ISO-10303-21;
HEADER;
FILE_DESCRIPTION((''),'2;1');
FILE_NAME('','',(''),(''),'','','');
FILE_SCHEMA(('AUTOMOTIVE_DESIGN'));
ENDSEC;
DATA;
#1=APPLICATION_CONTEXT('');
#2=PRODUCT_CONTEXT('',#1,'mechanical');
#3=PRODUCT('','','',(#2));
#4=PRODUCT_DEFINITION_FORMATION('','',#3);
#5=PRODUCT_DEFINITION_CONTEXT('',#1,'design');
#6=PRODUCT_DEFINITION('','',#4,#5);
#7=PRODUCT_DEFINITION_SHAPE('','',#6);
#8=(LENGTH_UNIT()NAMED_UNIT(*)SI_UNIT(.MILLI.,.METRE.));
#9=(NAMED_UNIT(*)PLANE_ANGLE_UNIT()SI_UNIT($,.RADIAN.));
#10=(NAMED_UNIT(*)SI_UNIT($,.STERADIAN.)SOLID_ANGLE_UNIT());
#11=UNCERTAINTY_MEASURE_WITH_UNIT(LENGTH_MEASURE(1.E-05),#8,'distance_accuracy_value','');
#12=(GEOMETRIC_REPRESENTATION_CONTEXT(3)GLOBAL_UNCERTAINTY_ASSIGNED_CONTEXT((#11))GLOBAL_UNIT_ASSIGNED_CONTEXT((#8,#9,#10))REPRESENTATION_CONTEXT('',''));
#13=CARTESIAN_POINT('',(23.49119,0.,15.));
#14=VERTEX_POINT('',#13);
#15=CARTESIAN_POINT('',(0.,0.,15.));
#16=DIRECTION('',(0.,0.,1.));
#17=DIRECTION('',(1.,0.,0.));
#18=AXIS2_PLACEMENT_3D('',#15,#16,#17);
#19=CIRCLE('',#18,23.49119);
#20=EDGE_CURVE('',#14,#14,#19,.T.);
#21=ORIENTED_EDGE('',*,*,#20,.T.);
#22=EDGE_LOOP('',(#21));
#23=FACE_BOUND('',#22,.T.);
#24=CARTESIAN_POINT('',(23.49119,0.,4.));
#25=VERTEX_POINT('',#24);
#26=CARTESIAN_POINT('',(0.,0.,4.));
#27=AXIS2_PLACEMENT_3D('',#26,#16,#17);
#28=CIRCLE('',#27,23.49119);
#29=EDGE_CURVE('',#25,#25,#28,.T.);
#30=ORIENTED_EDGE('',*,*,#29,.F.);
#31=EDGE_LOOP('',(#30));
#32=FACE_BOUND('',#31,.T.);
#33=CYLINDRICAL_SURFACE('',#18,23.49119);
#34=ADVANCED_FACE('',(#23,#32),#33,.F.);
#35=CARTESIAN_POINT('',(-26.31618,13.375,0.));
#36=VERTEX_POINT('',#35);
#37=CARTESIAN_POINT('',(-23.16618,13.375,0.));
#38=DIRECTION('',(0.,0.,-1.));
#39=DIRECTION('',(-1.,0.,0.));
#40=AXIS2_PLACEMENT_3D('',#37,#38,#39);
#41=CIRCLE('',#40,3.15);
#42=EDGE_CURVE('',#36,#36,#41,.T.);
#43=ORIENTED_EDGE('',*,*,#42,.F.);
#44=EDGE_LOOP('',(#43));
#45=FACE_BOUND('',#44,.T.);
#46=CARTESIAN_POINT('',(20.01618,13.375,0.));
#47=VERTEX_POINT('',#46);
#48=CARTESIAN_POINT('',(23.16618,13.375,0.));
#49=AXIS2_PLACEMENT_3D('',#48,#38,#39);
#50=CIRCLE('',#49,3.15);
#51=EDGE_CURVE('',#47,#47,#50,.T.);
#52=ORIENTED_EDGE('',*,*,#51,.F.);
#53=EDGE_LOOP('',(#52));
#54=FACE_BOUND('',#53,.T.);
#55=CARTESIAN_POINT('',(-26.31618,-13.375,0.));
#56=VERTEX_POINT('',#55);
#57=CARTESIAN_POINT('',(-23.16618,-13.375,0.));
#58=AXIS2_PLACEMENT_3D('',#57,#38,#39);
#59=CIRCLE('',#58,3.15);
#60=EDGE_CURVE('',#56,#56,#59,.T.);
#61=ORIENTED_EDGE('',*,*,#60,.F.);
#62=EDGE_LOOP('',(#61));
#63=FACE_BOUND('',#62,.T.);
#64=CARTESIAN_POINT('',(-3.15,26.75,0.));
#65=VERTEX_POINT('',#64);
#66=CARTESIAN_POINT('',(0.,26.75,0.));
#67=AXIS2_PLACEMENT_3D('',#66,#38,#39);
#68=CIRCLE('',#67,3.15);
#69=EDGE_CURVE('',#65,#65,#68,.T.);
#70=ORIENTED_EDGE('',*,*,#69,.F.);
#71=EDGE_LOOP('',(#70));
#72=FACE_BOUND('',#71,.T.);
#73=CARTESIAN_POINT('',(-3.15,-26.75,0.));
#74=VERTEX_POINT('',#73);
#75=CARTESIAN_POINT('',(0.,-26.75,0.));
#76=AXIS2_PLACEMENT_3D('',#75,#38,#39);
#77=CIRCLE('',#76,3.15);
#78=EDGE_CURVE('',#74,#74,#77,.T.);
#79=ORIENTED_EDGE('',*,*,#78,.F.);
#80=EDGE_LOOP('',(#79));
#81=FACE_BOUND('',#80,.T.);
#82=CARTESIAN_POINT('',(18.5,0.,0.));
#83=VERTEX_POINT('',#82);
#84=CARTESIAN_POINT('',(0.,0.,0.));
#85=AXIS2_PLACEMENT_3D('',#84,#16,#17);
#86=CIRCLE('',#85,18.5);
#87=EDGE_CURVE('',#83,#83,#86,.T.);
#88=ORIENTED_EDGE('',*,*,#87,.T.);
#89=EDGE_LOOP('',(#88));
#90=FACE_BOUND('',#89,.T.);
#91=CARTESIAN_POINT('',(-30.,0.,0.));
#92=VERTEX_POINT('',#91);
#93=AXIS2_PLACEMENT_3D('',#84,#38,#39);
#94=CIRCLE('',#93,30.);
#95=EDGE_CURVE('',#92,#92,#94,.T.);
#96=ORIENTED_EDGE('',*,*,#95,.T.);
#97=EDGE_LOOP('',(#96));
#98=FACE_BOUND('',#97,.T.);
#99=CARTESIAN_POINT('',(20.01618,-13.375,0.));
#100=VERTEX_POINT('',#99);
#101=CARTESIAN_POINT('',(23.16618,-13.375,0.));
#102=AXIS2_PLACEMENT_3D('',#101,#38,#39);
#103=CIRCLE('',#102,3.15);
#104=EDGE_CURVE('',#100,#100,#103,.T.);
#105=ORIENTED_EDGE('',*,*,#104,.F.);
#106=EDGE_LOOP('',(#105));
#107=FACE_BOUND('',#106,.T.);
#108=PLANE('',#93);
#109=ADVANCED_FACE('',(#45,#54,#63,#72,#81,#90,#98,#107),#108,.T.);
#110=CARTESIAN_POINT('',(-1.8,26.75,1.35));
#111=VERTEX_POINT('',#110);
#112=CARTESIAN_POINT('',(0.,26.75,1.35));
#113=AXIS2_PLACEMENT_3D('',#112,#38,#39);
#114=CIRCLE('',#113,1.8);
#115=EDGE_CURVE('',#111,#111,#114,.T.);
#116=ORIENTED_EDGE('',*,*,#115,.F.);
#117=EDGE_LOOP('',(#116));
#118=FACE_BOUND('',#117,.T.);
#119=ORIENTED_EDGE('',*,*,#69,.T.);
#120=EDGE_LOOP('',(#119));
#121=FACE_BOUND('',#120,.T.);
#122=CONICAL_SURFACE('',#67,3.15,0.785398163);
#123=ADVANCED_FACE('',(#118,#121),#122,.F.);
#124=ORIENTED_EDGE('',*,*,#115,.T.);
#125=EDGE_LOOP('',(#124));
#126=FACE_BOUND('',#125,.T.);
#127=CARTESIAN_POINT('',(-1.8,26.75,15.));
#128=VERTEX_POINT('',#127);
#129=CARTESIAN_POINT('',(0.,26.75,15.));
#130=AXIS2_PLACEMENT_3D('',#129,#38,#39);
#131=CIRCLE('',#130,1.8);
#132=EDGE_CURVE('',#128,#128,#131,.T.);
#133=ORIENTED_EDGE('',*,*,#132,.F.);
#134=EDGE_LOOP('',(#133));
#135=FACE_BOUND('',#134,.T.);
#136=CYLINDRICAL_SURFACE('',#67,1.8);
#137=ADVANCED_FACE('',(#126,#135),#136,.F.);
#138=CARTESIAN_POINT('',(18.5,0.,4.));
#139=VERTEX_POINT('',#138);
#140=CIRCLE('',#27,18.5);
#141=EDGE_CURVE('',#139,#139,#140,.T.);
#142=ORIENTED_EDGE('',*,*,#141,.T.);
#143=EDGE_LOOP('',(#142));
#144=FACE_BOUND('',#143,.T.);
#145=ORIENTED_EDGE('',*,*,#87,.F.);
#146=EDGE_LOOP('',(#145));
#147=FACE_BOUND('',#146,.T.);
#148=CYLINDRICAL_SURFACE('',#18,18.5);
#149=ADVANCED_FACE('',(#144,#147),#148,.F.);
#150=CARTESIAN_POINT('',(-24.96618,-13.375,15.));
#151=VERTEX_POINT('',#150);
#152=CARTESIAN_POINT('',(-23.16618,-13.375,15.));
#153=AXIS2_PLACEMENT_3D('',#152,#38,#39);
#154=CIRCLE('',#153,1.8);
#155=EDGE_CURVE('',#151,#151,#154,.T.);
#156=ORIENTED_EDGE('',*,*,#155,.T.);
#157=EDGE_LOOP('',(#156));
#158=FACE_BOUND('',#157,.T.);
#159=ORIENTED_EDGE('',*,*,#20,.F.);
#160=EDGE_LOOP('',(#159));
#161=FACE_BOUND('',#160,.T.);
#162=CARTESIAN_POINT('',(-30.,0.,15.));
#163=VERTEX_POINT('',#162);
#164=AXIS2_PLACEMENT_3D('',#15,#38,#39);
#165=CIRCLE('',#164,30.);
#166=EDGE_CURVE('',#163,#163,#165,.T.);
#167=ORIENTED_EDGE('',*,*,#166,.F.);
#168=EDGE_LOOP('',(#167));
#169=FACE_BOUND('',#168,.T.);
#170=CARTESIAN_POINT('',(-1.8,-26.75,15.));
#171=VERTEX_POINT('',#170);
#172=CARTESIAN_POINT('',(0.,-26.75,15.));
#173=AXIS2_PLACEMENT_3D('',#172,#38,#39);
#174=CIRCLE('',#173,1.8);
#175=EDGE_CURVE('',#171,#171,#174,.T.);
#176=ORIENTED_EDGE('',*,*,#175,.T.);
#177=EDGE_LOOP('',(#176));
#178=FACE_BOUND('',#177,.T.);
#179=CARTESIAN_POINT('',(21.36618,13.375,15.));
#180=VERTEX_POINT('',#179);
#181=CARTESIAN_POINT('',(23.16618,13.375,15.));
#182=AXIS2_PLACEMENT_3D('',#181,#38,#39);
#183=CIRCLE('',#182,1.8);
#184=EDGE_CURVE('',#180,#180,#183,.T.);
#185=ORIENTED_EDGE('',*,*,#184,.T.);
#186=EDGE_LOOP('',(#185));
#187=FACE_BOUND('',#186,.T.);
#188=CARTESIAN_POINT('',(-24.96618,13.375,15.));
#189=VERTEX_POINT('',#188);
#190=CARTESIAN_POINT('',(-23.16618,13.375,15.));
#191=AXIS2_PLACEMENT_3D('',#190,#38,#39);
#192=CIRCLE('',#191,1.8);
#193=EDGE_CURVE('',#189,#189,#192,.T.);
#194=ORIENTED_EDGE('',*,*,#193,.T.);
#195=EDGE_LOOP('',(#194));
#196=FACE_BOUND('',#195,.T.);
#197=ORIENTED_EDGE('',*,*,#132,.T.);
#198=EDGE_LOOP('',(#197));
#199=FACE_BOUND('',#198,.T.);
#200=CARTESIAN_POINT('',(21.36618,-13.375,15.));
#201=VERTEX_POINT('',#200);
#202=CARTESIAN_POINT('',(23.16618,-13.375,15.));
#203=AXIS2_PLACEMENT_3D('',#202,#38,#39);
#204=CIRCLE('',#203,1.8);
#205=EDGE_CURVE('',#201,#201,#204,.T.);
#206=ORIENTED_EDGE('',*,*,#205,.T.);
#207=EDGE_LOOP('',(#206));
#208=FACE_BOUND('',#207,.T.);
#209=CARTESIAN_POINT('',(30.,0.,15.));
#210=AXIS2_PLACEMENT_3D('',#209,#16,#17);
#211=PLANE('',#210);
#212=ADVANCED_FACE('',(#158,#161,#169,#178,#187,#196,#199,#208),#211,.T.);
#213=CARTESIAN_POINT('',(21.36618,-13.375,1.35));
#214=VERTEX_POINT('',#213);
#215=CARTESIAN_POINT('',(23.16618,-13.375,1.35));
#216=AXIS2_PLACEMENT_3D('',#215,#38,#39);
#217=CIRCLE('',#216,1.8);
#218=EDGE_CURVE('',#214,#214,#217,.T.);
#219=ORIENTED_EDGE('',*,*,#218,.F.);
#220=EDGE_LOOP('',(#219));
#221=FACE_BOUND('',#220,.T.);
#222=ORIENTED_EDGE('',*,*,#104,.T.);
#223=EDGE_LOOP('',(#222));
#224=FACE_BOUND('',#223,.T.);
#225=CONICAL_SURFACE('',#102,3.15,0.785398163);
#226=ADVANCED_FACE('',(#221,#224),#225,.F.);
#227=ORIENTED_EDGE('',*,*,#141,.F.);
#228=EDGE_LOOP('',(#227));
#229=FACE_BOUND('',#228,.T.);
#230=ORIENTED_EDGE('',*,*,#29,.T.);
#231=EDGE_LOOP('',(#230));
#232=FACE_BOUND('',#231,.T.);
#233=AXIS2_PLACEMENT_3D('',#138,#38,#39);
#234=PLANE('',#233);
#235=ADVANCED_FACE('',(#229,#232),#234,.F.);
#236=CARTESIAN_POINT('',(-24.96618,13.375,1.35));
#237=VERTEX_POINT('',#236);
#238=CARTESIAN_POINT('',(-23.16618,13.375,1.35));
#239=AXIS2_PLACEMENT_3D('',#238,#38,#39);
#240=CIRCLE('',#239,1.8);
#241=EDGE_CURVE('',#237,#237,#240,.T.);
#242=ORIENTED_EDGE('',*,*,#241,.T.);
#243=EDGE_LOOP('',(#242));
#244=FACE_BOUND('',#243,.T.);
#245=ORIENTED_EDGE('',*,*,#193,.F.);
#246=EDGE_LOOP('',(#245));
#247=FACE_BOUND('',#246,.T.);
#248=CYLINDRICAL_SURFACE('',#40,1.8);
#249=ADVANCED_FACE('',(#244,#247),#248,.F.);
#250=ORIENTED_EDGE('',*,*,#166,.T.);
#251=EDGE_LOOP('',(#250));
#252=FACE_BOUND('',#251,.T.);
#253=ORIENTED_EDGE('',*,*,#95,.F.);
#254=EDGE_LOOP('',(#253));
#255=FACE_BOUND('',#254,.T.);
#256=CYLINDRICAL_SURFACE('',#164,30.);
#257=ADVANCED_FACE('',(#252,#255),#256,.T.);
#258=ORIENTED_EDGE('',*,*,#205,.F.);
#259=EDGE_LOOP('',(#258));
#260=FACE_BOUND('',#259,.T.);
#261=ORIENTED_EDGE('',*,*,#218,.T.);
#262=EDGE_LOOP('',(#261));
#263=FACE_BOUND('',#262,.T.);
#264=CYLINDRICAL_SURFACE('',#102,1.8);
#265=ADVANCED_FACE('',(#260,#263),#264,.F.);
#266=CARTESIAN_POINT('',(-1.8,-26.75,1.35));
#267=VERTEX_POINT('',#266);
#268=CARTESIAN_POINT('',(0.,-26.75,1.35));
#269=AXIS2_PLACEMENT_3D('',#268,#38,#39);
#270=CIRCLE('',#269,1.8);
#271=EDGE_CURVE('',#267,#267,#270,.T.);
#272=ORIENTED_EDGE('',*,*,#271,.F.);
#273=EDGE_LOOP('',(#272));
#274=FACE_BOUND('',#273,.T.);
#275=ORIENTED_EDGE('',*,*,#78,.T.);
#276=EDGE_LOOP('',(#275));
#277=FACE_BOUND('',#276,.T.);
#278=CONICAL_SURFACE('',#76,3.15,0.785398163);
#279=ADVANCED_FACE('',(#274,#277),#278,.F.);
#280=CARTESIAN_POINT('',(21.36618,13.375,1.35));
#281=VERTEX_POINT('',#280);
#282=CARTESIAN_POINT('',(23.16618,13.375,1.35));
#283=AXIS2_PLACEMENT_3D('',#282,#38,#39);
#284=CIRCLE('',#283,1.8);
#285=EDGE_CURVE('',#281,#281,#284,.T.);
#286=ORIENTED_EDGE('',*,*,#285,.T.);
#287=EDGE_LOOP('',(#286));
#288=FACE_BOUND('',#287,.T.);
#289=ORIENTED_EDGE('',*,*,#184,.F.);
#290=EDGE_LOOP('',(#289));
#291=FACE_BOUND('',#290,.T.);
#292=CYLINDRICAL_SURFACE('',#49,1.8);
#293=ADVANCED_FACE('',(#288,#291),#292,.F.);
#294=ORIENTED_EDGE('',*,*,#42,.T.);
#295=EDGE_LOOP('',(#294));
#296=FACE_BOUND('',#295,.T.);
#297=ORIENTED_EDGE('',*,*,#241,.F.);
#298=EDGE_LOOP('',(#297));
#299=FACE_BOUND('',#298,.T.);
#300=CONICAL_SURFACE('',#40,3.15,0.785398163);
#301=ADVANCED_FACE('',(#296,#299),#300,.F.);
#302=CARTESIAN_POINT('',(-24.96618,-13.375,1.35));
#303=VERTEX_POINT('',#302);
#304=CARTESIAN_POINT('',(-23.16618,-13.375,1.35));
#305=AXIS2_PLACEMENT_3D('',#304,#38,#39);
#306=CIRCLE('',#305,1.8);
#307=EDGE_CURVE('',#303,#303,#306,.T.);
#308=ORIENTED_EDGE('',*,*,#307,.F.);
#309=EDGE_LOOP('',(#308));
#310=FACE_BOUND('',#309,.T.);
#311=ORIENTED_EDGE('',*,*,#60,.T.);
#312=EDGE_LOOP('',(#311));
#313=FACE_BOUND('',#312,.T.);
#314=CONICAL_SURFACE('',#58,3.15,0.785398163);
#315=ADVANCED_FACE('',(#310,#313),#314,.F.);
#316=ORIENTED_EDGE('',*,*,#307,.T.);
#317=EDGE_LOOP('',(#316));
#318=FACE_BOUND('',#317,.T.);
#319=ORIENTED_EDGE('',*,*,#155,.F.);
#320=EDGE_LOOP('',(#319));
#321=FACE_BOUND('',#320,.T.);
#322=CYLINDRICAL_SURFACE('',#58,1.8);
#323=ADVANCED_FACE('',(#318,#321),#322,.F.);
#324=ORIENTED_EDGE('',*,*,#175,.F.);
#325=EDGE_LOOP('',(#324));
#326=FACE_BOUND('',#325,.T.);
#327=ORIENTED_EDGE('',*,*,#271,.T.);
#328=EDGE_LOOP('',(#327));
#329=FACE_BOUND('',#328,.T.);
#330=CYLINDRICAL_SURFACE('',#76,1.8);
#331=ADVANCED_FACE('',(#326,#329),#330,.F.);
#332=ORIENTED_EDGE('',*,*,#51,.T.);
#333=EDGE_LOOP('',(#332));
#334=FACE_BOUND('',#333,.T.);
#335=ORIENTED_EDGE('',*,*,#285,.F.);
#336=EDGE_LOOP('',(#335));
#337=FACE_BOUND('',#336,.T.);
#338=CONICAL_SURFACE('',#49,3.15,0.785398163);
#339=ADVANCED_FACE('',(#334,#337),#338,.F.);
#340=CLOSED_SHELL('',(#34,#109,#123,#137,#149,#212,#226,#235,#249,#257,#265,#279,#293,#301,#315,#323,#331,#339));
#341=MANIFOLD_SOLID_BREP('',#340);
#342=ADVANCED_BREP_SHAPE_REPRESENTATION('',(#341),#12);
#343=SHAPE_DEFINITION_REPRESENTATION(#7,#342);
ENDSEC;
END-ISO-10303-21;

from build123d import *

# Parameters (mm, degrees)
SKETCH1_W                                       = 30
SKETCH1_H                                       = 15
CSK_FOR_M3_FLAT_HEAD_MACHINE_SCREW1_D           = 3.6
CSK_FOR_M3_FLAT_HEAD_MACHINE_SCREW1_CSINK_D     = 6.3
CSK_FOR_M3_FLAT_HEAD_MACHINE_SCREW1_CSINK_ANGLE = 90
HOLE1_D                                         = 37
HOLE1_CBORE_D                                   = 46.98238
HOLE1_CBORE_DEPTH                               = 11


with BuildPart() as part:
    # Sketch1 → Revolve1 (revolve)
    with BuildSketch(Plane.XZ, mode=Mode.PRIVATE) as revolve1_sk:
        with Locations((15, 7.5)):
            Rectangle(SKETCH1_W, SKETCH1_H)
    revolve(revolve1_sk.sketch.rotate(Axis((0, 0, 15), (0, 0, -1)), 180), axis=Axis((0, 0, 15), (0, 0, -1)))

    # CSK for M3 Flat Head Machine Screw1 (through all)
    with Locations(Plane(origin=(0, 0, 0), x_dir=(-1, 0, 0), z_dir=(0, 0, -1))):
        with Locations((23.166179551, -13.375), (23.166179551, 13.375), (0, -26.75), (-23.166179551, 13.375), (-23.166179551, -13.375), (0, 26.75)):
            CounterSinkHole(CSK_FOR_M3_FLAT_HEAD_MACHINE_SCREW1_D / 2, CSK_FOR_M3_FLAT_HEAD_MACHINE_SCREW1_CSINK_D / 2, counter_sink_angle=CSK_FOR_M3_FLAT_HEAD_MACHINE_SCREW1_CSINK_ANGLE)

    # Hole1 (through all)
    with Locations(Plane.XY.offset(15)):
        with Locations((0, 0)):
            CounterBoreHole(HOLE1_D / 2, HOLE1_CBORE_D / 2, HOLE1_CBORE_DEPTH)


solid = part.part
